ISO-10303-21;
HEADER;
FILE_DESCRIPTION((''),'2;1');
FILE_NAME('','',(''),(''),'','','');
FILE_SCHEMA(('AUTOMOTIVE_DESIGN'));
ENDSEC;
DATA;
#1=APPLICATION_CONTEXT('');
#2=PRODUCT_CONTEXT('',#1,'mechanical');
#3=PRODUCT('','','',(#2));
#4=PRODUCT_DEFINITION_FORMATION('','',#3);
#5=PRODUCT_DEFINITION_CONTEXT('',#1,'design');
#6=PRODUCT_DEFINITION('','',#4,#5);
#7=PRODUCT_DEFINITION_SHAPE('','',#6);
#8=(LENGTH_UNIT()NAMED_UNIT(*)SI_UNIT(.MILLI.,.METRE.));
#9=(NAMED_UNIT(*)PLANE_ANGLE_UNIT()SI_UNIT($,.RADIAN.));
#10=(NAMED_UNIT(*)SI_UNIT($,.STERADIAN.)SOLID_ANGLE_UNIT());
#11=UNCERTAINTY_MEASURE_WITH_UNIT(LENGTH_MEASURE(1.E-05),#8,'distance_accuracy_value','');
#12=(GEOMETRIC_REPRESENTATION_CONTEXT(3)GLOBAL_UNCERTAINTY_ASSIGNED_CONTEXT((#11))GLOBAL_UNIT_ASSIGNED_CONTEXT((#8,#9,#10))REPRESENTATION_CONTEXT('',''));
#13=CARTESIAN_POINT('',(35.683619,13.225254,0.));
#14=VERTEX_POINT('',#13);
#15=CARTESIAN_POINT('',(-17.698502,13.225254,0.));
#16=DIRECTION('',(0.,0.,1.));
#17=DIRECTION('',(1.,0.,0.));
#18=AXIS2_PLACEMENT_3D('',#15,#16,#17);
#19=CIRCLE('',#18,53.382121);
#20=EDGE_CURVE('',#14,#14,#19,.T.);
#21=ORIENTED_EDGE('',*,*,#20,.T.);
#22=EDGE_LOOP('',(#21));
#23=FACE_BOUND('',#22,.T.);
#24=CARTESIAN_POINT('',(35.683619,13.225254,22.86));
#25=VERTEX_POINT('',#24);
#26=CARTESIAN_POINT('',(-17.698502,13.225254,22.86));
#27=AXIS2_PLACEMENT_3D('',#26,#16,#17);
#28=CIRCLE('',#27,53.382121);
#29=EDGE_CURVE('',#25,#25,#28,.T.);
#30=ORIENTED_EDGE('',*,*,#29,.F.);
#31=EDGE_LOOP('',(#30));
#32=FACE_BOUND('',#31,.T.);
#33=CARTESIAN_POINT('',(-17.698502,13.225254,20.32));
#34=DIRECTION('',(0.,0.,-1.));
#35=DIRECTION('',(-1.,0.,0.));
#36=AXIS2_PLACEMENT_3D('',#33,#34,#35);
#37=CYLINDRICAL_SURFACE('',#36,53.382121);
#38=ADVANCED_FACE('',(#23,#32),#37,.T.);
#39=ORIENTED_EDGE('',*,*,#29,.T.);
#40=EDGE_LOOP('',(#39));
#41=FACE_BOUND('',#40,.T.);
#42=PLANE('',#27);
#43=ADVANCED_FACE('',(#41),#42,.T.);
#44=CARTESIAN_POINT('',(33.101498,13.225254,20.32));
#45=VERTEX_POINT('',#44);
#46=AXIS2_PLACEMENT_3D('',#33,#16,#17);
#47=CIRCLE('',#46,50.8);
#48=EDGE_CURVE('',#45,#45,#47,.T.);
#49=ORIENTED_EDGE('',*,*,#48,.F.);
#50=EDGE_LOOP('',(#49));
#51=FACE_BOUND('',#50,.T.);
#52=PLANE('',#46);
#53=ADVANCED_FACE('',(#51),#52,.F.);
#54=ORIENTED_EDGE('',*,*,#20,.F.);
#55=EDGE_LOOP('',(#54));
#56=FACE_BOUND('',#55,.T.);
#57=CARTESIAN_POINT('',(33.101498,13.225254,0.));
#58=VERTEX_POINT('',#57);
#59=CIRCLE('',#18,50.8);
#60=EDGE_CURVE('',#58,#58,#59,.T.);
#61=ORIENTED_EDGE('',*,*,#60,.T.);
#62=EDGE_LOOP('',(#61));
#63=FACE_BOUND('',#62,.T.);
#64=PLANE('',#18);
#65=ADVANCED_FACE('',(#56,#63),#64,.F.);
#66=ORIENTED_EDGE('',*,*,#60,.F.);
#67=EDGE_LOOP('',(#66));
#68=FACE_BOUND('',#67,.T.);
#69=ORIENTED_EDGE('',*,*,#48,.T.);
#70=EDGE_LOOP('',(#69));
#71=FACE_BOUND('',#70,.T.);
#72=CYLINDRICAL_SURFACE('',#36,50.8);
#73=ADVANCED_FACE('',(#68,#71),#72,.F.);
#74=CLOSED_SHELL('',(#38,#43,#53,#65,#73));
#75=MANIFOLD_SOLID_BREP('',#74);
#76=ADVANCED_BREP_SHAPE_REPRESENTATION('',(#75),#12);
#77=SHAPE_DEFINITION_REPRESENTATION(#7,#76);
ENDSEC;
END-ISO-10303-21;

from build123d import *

# Parameters (mm, degrees)
SKETCH1_R           = 53.3821213
SKETCH1_R_2         = 50.8
BOSS_EXTRUDE1_DEPTH = 20.32
SKETCH2_R           = 53.3821213
BOSS_EXTRUDE2_DEPTH = 2.54


with BuildPart() as part:
    # Sketch1 → Boss-Extrude1 (new body)
    with BuildSketch(Plane.XY):
        with Locations((-17.698502245, 13.225254425)):
            Circle(SKETCH1_R)
        with Locations((-17.698502245, 13.225254425)):
            Circle(SKETCH1_R_2, mode=Mode.SUBTRACT)
    extrude(amount=BOSS_EXTRUDE1_DEPTH)

    # Sketch2 → Boss-Extrude2 (add)
    with BuildSketch(Plane.XY.offset(20.32)):
        with Locations((-17.698502245, 13.225254425)):
            Circle(SKETCH2_R)
    extrude(amount=BOSS_EXTRUDE2_DEPTH)


solid = part.part
